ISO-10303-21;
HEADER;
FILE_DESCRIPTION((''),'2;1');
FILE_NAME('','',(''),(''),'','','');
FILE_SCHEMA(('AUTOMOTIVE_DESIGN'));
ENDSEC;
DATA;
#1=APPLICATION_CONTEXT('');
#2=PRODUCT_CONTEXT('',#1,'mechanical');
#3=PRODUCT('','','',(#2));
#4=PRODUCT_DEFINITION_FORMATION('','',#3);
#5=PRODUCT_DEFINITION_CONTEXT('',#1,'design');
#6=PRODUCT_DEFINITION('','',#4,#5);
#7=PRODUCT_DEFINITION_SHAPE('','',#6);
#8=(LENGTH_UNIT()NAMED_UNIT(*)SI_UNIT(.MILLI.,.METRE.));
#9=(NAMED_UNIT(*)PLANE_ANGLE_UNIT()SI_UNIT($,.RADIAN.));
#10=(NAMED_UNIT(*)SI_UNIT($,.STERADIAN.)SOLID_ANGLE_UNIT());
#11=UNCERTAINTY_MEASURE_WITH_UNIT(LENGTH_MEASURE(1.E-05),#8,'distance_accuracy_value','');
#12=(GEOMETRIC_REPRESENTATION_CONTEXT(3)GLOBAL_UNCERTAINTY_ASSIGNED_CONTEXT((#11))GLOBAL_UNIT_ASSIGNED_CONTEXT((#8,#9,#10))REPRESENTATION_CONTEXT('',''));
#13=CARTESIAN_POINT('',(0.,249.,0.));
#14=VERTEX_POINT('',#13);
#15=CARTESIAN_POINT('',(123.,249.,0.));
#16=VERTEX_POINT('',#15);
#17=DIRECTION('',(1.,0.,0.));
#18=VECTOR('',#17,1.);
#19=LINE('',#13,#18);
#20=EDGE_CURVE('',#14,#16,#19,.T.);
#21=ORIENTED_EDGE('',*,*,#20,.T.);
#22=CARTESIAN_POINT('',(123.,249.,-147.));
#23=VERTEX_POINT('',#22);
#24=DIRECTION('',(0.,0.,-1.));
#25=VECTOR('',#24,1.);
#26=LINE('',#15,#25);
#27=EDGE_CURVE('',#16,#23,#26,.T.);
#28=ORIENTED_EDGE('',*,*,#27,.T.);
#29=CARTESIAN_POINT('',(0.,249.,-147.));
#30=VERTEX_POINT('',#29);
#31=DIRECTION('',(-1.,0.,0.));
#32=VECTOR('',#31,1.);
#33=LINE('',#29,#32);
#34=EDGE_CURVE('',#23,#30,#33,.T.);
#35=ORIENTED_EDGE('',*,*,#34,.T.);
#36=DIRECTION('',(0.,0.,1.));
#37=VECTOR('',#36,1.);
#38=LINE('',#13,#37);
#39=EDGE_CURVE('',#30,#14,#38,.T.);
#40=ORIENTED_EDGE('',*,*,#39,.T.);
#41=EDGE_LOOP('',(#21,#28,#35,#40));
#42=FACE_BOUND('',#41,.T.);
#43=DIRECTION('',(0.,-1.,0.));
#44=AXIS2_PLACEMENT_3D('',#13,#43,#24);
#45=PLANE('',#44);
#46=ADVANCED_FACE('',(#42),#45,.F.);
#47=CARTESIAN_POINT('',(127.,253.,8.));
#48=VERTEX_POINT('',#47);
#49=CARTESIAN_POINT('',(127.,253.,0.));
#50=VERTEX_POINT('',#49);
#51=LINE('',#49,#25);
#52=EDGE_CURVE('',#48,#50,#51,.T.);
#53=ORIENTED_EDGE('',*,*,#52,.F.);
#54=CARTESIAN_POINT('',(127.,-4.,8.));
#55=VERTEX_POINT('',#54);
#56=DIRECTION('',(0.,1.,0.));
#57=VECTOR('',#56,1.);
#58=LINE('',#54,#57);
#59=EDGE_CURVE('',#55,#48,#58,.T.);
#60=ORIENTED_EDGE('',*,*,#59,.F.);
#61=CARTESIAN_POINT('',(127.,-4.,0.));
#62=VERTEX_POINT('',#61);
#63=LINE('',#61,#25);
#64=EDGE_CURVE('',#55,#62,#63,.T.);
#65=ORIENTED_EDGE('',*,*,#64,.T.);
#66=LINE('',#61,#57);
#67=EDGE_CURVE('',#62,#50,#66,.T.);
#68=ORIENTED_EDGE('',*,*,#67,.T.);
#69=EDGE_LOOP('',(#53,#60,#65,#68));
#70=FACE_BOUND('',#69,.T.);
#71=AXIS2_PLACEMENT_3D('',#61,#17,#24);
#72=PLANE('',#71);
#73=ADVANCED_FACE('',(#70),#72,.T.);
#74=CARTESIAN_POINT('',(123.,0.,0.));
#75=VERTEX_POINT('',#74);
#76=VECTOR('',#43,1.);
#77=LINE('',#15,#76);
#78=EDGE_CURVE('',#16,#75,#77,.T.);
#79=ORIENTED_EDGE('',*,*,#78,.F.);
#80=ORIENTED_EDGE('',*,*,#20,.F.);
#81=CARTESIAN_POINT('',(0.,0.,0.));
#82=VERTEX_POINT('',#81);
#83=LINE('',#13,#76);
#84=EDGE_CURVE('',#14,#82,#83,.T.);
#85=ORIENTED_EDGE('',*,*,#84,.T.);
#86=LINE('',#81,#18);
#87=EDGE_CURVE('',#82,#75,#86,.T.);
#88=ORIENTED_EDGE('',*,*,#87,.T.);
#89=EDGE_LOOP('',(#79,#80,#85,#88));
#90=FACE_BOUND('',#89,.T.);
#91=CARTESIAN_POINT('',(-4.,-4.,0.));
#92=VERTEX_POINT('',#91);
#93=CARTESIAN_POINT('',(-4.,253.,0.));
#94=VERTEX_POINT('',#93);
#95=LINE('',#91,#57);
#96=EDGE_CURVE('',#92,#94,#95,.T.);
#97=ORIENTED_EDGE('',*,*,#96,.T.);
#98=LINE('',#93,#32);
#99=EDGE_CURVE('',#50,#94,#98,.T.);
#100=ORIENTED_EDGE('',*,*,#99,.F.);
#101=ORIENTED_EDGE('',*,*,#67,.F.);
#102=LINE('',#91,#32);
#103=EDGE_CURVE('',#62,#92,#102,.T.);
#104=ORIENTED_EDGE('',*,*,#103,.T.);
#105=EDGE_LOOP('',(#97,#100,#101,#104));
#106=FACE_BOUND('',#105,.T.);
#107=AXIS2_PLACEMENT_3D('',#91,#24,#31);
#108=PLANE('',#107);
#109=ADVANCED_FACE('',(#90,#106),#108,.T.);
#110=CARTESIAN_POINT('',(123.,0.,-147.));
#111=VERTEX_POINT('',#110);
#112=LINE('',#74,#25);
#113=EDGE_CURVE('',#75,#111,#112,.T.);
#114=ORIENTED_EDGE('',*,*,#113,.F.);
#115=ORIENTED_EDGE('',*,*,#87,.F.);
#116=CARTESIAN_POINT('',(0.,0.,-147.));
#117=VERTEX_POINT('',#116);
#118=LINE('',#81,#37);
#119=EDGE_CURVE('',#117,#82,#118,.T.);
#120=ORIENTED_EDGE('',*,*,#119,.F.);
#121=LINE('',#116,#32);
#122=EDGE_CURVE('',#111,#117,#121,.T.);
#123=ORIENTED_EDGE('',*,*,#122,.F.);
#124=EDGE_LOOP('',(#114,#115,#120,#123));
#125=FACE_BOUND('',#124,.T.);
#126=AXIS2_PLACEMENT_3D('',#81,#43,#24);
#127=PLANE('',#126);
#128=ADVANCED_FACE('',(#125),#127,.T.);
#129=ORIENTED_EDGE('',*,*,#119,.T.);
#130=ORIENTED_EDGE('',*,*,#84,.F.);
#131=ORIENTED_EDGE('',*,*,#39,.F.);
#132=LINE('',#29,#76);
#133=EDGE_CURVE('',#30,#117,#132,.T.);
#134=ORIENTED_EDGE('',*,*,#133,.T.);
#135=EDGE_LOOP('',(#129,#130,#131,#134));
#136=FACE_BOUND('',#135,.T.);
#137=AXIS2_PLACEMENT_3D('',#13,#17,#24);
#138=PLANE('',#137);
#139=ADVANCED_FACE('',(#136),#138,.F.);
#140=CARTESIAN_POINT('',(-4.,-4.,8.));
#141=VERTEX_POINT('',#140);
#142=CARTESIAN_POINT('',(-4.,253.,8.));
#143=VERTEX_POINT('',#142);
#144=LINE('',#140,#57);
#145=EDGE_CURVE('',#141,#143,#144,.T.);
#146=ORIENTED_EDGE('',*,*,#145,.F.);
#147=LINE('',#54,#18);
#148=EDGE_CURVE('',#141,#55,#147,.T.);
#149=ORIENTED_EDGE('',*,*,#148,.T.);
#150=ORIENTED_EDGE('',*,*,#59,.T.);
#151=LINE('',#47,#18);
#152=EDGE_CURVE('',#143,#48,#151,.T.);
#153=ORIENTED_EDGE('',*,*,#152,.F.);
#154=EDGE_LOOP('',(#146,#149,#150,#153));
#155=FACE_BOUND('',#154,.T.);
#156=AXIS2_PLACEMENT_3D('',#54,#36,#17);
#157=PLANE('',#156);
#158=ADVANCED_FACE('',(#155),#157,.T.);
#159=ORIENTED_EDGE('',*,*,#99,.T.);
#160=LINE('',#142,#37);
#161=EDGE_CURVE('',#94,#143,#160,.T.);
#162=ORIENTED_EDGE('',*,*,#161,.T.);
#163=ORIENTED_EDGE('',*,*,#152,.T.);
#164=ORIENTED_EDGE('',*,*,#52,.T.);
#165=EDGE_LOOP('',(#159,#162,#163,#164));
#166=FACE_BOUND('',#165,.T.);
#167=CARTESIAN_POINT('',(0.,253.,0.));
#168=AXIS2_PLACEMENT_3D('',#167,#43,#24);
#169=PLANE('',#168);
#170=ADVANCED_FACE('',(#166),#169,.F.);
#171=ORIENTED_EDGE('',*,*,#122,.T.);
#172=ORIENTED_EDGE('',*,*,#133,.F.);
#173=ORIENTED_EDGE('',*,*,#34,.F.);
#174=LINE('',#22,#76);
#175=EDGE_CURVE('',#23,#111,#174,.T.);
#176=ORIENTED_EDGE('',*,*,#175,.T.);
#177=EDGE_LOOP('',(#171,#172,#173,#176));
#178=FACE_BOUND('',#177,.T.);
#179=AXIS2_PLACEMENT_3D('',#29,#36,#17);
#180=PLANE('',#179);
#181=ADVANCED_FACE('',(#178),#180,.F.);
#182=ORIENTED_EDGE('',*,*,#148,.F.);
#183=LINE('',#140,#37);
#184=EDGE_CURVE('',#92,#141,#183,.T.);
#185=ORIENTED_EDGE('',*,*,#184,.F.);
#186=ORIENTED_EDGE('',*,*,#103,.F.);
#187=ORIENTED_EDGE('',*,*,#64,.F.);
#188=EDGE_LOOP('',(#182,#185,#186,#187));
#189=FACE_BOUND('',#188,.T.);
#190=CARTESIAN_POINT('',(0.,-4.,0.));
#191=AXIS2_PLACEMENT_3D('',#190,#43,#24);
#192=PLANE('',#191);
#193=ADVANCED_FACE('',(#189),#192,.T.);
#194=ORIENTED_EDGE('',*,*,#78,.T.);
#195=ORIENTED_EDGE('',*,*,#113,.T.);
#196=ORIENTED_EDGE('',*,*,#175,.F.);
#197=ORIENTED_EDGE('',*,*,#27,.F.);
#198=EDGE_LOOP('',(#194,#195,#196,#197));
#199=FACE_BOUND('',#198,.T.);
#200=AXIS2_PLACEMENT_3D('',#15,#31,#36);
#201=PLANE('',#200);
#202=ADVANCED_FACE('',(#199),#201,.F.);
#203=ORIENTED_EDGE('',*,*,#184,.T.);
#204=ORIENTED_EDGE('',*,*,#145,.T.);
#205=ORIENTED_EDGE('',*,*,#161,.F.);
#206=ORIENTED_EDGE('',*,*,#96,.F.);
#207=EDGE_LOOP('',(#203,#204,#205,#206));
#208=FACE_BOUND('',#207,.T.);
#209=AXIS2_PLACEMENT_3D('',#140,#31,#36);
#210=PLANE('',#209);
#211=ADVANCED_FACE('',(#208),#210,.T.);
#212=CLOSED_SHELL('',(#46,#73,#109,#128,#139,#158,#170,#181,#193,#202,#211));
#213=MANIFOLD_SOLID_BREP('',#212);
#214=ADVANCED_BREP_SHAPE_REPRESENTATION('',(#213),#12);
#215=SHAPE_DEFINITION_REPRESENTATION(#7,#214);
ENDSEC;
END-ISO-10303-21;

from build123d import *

# Parameters (mm, degrees)
SKETCH3_W                = 123
SKETCH3_H                = 147
BOSS_EXTRUDE1_DEPTH      = 249
BOSS_EXTRUDE2_DEPTH      = 253
BOSS_EXTRUDE2_DEPTH_BACK = 4
SKETCH4_W                = 131
SKETCH4_H                = 8


with BuildPart() as part:
    # Sketch3 → Boss-Extrude1 (new body)
    with BuildSketch(Plane(origin=(0, 0, 0), x_dir=(1, 0, 0), z_dir=(0, 1, 0))):
        with Locations((61.5, 73.5)):
            Rectangle(SKETCH3_W, SKETCH3_H)
    extrude(amount=BOSS_EXTRUDE1_DEPTH)

    # Sketch4 → Boss-Extrude2 (add, two sides: drawn at the far end of the back side and taken through both)
    with BuildSketch(Plane(origin=(0, 0, 0), x_dir=(1, 0, 0), z_dir=(0, 1, 0)).offset(-BOSS_EXTRUDE2_DEPTH_BACK)):
        with Locations((61.5, -4)):
            Rectangle(SKETCH4_W, SKETCH4_H)
    extrude(amount=BOSS_EXTRUDE2_DEPTH + BOSS_EXTRUDE2_DEPTH_BACK)


solid = part.part
